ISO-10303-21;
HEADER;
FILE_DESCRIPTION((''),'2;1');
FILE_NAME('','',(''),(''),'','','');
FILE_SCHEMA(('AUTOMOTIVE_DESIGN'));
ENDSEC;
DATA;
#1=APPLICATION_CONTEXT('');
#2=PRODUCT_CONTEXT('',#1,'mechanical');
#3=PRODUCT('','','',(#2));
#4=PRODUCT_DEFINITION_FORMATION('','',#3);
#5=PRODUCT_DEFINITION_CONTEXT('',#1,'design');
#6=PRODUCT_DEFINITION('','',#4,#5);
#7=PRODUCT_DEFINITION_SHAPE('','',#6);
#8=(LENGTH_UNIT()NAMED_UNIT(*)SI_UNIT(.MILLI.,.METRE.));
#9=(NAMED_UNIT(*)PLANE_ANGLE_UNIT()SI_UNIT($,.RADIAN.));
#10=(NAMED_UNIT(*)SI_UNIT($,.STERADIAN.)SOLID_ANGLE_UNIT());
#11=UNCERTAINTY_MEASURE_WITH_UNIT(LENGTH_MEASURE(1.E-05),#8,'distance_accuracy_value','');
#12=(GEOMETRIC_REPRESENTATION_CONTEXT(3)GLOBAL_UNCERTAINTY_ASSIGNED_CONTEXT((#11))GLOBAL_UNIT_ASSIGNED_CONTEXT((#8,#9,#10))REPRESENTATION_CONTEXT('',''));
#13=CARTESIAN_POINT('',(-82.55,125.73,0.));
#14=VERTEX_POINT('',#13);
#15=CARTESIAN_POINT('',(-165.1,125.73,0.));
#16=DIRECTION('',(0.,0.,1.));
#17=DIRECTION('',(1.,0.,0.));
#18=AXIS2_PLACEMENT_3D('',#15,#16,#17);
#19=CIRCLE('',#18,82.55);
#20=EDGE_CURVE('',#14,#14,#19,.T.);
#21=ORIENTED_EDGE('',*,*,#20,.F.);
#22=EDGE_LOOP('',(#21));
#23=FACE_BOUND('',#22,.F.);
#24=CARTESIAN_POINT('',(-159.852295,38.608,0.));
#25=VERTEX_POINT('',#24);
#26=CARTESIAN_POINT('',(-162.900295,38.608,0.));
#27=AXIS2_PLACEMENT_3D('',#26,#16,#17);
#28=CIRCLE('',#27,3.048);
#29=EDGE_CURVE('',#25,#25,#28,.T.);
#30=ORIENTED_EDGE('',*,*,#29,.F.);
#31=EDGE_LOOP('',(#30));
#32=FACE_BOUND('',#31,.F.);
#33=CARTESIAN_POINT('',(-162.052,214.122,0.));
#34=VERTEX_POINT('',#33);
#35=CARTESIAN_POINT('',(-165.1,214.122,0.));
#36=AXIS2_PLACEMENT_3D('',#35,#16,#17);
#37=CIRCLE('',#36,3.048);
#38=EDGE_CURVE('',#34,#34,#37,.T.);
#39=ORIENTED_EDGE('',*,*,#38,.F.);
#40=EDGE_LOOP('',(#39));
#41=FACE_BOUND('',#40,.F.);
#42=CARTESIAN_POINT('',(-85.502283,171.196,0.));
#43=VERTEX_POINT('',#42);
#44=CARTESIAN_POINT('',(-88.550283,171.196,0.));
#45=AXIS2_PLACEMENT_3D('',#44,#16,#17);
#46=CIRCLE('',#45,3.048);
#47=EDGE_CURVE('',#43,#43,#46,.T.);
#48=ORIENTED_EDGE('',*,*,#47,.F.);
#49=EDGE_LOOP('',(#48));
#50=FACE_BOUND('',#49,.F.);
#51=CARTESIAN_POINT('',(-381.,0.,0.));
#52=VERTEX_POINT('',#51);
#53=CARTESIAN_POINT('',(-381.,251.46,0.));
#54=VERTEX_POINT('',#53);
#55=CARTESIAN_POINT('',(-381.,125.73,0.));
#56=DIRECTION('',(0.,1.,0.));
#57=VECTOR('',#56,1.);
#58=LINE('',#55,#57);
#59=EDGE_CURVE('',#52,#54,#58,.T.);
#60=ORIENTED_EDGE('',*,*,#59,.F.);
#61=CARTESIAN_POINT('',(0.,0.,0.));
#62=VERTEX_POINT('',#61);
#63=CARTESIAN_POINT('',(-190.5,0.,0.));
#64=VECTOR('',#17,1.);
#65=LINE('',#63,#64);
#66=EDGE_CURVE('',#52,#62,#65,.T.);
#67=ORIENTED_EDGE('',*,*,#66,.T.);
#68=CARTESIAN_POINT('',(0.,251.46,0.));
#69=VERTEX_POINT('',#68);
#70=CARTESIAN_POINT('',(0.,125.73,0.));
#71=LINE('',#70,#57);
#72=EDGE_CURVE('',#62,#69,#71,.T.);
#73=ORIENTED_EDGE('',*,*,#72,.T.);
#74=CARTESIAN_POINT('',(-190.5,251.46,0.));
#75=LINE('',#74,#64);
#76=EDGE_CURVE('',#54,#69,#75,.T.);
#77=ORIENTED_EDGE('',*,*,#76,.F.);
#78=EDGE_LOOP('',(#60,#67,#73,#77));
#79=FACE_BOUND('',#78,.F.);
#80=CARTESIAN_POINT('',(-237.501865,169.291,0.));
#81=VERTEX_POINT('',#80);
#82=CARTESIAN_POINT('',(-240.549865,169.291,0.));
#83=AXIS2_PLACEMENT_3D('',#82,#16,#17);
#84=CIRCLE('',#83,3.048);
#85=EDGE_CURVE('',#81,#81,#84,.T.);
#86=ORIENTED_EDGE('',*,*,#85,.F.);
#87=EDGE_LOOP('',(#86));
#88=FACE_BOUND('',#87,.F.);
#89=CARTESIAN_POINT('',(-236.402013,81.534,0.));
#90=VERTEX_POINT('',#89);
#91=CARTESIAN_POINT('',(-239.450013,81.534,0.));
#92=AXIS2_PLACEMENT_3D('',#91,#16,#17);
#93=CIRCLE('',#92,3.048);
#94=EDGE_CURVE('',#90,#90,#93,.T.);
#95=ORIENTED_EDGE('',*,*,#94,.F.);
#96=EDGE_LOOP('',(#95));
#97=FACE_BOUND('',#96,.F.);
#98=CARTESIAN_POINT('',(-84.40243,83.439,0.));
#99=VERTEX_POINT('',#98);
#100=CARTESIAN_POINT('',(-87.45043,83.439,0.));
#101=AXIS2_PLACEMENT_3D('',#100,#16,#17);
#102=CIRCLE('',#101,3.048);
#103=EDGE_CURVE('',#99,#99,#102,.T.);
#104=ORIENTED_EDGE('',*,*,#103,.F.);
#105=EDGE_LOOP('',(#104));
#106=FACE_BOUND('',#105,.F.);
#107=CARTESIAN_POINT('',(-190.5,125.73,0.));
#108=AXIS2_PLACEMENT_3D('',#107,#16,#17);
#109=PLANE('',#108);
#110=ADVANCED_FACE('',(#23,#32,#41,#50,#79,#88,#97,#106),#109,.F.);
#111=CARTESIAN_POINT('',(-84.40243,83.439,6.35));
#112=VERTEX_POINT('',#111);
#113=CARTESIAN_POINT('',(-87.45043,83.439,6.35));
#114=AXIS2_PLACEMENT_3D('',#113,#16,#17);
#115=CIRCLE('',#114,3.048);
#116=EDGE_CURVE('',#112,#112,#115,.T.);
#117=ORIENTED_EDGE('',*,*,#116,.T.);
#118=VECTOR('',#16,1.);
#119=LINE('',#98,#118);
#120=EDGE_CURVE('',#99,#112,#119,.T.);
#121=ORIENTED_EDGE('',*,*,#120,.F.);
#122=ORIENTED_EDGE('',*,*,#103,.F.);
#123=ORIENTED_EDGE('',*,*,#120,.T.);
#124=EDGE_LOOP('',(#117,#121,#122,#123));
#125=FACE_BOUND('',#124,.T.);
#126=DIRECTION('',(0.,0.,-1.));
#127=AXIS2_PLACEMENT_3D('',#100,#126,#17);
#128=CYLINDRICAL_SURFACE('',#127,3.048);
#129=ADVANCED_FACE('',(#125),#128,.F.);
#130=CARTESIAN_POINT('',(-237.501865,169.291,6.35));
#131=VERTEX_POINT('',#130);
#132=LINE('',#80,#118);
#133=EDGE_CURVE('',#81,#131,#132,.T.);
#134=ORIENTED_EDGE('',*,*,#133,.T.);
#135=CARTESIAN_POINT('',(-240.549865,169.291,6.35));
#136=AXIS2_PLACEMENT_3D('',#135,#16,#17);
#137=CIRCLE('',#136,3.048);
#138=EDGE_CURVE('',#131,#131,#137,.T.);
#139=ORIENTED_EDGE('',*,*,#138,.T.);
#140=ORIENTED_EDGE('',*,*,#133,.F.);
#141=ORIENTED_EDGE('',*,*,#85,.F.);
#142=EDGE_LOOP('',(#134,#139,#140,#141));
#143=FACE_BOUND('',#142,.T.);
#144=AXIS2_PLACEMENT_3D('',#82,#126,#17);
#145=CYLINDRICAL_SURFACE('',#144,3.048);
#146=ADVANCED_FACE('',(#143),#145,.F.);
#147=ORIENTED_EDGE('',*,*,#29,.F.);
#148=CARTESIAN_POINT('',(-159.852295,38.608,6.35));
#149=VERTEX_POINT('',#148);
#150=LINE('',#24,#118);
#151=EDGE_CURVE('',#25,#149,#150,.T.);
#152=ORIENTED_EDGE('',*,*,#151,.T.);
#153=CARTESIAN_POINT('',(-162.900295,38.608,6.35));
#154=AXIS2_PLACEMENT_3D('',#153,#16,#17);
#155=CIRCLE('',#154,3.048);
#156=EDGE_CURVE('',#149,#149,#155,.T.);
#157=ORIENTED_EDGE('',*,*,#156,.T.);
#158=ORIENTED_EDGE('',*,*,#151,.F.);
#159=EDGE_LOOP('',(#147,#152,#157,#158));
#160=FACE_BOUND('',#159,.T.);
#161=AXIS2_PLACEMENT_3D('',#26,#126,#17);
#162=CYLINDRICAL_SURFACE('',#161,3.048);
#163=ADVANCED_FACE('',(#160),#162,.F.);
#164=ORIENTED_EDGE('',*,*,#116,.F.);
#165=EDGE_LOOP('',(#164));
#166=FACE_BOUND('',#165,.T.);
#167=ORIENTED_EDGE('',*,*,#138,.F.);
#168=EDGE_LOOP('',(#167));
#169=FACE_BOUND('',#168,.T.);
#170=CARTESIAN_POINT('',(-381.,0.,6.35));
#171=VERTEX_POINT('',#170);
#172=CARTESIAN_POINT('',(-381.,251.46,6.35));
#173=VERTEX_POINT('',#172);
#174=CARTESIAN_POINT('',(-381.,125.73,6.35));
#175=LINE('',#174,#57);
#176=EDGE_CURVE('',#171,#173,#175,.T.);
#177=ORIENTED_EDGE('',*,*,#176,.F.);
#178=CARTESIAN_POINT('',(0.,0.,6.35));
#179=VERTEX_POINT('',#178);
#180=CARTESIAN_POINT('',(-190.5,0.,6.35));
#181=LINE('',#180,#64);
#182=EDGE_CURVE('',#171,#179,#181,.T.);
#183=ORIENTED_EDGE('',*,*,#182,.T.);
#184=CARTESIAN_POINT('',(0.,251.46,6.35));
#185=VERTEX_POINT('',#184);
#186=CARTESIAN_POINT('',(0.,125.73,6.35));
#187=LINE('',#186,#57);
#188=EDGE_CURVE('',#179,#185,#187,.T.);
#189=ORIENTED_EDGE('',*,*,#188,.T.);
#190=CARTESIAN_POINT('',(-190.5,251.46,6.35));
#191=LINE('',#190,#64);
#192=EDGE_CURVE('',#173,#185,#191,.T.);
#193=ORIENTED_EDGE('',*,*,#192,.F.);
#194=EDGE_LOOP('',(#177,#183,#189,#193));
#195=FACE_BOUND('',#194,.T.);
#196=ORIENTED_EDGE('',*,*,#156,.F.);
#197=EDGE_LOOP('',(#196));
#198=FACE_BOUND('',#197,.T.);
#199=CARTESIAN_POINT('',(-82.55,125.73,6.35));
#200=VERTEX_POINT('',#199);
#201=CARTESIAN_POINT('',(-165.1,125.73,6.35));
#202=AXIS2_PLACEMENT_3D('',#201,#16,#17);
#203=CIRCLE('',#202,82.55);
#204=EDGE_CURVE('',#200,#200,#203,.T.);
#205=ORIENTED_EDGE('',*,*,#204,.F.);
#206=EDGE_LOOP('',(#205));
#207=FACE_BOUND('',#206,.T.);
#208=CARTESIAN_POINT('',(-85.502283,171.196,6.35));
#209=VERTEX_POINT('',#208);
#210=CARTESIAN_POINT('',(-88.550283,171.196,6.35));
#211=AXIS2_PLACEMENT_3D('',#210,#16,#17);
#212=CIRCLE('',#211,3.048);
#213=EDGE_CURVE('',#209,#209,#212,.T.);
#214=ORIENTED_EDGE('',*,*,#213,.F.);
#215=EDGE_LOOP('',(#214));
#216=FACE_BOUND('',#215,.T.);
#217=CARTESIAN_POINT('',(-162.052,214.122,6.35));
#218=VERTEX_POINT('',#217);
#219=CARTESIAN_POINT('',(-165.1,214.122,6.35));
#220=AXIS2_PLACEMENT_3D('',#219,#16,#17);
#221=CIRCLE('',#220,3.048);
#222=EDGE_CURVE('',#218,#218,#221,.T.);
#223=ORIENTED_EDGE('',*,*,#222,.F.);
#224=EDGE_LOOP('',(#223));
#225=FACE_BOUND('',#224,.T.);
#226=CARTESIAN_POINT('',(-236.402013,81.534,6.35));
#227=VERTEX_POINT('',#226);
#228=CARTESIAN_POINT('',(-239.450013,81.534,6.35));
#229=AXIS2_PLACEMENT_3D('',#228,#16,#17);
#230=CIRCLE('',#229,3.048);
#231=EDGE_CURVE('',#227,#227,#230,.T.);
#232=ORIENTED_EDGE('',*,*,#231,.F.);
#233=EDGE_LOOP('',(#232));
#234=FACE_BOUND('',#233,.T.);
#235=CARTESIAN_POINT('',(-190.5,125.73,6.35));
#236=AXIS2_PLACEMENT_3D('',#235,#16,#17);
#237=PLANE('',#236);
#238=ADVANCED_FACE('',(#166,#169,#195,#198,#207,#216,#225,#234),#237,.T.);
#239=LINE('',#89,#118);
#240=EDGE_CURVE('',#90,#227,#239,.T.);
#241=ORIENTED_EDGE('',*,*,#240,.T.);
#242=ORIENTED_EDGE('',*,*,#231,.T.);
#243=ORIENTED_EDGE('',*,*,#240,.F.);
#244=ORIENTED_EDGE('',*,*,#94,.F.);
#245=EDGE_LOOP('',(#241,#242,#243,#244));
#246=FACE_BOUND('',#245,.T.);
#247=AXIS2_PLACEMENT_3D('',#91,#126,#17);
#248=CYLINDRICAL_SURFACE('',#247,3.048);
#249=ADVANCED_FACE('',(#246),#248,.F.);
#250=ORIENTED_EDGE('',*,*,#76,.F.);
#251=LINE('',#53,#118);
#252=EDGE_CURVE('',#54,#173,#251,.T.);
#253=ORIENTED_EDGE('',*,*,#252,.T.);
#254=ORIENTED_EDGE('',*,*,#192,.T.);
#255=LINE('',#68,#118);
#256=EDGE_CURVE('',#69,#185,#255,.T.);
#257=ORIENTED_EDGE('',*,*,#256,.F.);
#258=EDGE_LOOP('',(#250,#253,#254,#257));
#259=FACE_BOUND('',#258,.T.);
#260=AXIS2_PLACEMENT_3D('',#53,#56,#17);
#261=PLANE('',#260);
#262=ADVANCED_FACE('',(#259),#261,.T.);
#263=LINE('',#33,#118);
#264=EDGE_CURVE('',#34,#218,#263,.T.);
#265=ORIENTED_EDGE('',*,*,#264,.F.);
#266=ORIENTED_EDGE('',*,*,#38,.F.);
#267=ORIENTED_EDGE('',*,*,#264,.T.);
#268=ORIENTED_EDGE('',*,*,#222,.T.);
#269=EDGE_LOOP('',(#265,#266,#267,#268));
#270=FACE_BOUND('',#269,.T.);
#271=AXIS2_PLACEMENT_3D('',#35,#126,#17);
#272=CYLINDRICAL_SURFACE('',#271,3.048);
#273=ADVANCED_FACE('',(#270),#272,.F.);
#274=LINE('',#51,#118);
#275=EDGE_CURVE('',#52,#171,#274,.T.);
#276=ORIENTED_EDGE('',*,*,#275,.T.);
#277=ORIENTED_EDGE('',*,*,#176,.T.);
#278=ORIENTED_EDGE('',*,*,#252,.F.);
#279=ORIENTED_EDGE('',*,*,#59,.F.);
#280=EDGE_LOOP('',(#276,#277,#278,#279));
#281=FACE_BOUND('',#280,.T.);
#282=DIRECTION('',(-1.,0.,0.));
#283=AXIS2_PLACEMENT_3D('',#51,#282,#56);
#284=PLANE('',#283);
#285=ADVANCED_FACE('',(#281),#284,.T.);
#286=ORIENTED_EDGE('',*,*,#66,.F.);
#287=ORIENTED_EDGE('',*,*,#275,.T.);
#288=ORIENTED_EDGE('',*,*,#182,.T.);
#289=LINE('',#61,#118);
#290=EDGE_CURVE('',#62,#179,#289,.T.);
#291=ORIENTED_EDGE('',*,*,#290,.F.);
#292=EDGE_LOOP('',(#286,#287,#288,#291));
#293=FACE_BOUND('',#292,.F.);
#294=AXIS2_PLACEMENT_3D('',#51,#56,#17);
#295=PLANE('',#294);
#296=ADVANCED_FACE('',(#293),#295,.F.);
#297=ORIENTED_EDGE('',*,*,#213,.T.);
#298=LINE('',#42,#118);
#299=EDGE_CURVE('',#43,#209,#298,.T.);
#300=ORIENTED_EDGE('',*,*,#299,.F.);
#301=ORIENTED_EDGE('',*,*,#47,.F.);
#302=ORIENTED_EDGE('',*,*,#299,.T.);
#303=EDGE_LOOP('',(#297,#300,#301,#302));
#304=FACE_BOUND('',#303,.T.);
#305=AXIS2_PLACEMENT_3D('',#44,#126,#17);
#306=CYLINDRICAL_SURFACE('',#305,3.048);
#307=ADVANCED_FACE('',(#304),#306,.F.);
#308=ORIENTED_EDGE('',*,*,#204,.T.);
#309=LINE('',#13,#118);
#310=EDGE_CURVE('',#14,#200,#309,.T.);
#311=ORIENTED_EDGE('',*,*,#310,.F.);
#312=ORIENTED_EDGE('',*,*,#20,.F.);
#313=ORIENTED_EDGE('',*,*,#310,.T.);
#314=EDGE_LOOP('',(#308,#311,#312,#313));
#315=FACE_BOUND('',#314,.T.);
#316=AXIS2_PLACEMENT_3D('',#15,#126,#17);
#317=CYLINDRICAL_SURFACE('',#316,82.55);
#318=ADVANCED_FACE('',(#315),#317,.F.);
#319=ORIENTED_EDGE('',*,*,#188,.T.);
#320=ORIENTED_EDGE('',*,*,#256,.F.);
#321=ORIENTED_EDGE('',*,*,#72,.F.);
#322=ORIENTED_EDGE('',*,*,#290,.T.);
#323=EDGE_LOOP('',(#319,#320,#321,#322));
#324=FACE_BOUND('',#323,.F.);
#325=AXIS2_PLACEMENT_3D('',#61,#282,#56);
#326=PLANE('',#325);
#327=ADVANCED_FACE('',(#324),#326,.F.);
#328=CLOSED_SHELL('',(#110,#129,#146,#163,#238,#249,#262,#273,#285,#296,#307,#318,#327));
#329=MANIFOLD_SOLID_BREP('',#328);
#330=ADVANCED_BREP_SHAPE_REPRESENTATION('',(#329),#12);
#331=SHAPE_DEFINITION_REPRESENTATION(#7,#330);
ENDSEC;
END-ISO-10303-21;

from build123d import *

# Parameters (mm, degrees)
SKETCH1_W           = 381
SKETCH1_H           = 251.46
SKETCH1_R           = 82.55
SKETCH1_R_2         = 3.048
BOSS_EXTRUDE1_DEPTH = 6.35


with BuildPart() as part:
    # Sketch1 → Boss-Extrude1 (new body)
    with BuildSketch(Plane.XY):
        with Locations((-190.5, 125.73)):
            Rectangle(SKETCH1_W, SKETCH1_H)
        with Locations((-165.1, 125.73)):
            Circle(SKETCH1_R, mode=Mode.SUBTRACT)
        with Locations((-165.1, 214.122)):
            Circle(SKETCH1_R_2, mode=Mode.SUBTRACT)
        with Locations((-88.550282509, 171.196)):
            Circle(SKETCH1_R_2, mode=Mode.SUBTRACT)
        with Locations((-87.450430246, 83.439)):
            Circle(SKETCH1_R_2, mode=Mode.SUBTRACT)
        with Locations((-162.900295474, 38.608)):
            Circle(SKETCH1_R_2, mode=Mode.SUBTRACT)
        with Locations((-239.450012966, 81.534)):
            Circle(SKETCH1_R_2, mode=Mode.SUBTRACT)
        with Locations((-240.549865229, 169.291)):
            Circle(SKETCH1_R_2, mode=Mode.SUBTRACT)
    extrude(amount=BOSS_EXTRUDE1_DEPTH)


solid = part.part
